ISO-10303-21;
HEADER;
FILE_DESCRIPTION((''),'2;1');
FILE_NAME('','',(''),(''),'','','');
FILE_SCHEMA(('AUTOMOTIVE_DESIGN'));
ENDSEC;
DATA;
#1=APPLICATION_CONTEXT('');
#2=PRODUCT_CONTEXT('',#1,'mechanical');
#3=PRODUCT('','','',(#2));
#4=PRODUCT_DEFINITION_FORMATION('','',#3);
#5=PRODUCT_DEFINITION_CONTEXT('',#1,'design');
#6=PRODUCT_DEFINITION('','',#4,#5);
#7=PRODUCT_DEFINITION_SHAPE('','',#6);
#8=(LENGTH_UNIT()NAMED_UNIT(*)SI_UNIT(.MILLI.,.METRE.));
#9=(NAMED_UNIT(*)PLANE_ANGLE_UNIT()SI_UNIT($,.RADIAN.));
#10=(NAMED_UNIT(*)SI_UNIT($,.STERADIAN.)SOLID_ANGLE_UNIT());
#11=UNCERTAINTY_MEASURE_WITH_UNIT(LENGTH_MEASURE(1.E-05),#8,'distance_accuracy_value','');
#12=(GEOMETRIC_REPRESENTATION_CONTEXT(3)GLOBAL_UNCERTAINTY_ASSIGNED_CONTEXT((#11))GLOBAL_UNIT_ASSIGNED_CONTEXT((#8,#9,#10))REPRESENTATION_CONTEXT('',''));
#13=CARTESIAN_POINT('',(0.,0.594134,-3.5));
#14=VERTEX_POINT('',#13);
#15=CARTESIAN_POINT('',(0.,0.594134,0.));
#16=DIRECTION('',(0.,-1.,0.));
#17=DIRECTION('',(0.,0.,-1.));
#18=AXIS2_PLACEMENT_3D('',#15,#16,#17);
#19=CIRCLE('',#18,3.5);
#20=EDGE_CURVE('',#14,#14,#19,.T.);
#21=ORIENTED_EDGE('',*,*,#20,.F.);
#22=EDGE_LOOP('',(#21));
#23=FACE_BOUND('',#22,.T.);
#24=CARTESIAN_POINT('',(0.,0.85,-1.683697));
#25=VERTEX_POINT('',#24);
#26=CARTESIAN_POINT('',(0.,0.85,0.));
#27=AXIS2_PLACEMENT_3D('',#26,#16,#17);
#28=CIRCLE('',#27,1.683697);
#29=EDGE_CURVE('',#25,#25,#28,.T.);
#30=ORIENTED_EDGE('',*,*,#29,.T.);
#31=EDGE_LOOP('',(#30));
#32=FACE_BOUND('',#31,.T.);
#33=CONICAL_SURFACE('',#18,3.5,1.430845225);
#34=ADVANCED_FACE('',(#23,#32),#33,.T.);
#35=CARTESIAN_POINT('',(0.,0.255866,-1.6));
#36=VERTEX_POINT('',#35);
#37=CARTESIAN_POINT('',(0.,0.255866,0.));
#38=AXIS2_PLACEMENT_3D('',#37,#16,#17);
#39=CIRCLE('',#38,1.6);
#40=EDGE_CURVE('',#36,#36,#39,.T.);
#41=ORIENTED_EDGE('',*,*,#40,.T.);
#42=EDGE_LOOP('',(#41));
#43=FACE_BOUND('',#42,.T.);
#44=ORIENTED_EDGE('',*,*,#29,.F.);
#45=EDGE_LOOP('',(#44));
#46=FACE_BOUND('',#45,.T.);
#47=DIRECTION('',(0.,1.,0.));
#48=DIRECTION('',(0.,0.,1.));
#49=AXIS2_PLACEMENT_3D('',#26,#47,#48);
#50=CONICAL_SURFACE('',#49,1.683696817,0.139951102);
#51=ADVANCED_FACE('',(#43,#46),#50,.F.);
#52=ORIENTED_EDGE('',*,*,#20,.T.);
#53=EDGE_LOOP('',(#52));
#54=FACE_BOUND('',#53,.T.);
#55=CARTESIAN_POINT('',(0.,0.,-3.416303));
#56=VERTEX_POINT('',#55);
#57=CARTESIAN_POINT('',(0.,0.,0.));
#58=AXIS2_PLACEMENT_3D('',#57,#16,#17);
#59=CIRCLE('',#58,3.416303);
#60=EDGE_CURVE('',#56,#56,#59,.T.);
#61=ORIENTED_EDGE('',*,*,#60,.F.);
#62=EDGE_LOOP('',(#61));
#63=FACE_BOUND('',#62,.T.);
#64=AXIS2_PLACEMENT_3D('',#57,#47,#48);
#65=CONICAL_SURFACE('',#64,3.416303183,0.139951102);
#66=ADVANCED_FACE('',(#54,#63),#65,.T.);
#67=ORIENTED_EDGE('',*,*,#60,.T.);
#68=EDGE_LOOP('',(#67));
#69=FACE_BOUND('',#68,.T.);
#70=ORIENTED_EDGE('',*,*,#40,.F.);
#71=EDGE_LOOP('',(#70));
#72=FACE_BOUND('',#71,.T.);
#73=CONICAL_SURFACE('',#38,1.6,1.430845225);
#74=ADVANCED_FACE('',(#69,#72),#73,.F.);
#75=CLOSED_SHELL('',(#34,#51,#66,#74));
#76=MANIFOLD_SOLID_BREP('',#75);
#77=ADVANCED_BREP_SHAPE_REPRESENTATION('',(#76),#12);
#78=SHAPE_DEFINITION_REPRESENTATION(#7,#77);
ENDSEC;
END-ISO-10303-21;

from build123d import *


with BuildPart() as part:
    # Sketch1 → Revolve1 (revolve)
    with BuildSketch(Plane.XY, mode=Mode.PRIVATE) as revolve1_sk:
        Polygon((3.416303183, 0), (1.6, 0.255866309), (1.683696817, 0.85), (3.5, 0.594133691), align=None)
    revolve(revolve1_sk.sketch.rotate(Axis((0, 0, 0), (0, 1, 0)), 90), axis=Axis((0, 0, 0), (0, 1, 0)))


solid = part.part
